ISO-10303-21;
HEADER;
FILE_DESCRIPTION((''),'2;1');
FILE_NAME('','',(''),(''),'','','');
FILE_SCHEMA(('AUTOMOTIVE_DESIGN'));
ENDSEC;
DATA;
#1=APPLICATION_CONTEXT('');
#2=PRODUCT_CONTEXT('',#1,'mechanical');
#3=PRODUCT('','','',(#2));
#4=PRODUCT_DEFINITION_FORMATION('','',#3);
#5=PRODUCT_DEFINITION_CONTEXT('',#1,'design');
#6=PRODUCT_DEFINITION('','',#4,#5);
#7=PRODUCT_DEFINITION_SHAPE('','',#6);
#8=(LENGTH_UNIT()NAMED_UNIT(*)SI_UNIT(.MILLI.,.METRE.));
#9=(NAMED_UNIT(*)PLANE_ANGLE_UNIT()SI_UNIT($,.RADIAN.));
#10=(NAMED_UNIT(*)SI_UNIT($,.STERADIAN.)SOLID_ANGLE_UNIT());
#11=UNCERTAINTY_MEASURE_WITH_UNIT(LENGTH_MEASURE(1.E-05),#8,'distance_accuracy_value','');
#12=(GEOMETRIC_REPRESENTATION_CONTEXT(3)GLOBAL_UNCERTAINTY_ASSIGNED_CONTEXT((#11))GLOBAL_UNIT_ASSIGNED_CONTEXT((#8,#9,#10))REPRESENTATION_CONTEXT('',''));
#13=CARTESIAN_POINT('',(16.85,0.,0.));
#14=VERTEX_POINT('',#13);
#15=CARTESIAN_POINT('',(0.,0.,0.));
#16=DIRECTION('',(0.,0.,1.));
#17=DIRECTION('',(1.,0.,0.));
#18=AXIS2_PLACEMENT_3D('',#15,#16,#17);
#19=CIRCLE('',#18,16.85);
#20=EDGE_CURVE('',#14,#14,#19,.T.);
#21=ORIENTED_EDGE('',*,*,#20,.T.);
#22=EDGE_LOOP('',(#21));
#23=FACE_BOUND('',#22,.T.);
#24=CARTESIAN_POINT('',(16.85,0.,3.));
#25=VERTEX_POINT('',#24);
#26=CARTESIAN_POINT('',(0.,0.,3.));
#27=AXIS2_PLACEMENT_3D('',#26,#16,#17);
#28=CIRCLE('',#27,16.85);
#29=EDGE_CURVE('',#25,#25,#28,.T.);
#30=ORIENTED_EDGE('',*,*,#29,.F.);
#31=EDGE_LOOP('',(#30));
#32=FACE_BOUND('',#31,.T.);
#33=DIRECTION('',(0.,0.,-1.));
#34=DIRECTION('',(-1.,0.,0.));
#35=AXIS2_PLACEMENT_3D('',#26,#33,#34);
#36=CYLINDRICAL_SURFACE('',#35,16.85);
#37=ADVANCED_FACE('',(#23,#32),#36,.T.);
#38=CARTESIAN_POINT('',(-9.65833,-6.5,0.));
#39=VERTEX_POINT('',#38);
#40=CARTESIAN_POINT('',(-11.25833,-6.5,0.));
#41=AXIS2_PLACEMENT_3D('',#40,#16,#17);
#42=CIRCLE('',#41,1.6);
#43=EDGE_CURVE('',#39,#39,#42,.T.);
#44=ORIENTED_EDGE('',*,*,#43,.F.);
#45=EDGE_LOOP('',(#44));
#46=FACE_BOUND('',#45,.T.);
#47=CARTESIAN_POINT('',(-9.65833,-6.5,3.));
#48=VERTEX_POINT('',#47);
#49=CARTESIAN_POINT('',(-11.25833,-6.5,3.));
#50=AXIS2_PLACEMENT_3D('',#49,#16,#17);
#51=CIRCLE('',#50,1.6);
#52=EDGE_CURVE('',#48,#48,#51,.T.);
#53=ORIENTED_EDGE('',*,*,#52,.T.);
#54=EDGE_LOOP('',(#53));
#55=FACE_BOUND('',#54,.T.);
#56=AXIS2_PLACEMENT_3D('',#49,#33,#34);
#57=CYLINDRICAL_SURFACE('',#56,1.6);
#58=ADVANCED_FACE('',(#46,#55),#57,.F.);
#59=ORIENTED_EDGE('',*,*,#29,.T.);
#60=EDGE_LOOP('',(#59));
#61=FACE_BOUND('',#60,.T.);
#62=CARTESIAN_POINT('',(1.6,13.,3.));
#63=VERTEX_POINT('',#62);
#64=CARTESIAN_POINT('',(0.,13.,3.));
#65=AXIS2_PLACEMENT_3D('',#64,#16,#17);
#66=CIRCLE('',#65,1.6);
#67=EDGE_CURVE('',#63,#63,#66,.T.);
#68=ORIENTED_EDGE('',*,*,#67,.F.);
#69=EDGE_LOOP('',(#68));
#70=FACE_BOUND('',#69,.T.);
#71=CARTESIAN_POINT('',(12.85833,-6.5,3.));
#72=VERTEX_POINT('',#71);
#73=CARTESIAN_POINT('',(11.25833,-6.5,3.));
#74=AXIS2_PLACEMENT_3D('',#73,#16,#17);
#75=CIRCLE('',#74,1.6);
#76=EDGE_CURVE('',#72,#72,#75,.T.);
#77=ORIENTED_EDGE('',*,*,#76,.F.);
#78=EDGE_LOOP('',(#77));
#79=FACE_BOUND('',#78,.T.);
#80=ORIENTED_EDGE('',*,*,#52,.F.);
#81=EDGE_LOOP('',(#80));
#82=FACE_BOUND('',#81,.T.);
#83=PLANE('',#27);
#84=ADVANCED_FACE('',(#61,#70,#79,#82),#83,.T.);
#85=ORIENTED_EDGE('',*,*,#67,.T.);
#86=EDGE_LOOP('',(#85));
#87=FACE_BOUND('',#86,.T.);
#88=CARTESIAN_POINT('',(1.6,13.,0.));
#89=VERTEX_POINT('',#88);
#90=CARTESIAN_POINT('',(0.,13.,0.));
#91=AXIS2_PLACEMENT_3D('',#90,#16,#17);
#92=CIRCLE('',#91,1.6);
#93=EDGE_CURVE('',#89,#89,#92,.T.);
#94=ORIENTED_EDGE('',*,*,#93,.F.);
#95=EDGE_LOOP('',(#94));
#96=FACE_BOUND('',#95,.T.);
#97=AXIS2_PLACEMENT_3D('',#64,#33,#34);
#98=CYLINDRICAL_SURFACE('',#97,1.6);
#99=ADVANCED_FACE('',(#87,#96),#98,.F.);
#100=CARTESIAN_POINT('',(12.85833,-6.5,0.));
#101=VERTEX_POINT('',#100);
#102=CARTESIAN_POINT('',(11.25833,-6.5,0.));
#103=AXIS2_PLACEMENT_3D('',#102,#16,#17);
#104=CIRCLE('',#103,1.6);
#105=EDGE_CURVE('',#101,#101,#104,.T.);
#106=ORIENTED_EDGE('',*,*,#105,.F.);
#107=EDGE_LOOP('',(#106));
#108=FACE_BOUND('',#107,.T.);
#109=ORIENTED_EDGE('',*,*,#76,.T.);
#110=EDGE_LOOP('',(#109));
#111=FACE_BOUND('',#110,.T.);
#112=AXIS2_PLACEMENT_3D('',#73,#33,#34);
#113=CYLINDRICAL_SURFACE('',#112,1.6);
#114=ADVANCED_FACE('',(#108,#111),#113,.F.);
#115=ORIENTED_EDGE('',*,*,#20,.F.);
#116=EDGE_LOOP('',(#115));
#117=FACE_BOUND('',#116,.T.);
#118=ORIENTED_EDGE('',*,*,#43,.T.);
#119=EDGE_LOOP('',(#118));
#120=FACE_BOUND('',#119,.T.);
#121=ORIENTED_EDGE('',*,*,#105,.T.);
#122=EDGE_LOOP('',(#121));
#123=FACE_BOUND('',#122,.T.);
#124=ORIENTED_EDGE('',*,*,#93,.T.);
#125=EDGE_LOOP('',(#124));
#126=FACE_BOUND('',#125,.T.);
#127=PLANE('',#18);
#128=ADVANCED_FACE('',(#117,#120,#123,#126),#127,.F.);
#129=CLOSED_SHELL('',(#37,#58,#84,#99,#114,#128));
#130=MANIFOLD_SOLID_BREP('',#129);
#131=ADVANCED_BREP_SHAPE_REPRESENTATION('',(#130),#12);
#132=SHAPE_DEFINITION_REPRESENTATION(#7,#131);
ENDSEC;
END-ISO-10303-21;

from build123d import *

# Parameters (mm, degrees)
SKETCH_1_R      = 16.85
SKETCH_1_R_2    = 1.6
EXTRUDE_1_DEPTH = 3


with BuildPart() as part:
    # 草图1 → 凸台-拉伸1 (new body)
    with BuildSketch(Plane.XY):
        Circle(SKETCH_1_R)
        with Locations((0, 13)):
            Circle(SKETCH_1_R_2, mode=Mode.SUBTRACT)
        with Locations((11.258330249, -6.5)):
            Circle(SKETCH_1_R_2, mode=Mode.SUBTRACT)
        with Locations((-11.258330249, -6.5)):
            Circle(SKETCH_1_R_2, mode=Mode.SUBTRACT)
    extrude(amount=EXTRUDE_1_DEPTH)


solid = part.part
